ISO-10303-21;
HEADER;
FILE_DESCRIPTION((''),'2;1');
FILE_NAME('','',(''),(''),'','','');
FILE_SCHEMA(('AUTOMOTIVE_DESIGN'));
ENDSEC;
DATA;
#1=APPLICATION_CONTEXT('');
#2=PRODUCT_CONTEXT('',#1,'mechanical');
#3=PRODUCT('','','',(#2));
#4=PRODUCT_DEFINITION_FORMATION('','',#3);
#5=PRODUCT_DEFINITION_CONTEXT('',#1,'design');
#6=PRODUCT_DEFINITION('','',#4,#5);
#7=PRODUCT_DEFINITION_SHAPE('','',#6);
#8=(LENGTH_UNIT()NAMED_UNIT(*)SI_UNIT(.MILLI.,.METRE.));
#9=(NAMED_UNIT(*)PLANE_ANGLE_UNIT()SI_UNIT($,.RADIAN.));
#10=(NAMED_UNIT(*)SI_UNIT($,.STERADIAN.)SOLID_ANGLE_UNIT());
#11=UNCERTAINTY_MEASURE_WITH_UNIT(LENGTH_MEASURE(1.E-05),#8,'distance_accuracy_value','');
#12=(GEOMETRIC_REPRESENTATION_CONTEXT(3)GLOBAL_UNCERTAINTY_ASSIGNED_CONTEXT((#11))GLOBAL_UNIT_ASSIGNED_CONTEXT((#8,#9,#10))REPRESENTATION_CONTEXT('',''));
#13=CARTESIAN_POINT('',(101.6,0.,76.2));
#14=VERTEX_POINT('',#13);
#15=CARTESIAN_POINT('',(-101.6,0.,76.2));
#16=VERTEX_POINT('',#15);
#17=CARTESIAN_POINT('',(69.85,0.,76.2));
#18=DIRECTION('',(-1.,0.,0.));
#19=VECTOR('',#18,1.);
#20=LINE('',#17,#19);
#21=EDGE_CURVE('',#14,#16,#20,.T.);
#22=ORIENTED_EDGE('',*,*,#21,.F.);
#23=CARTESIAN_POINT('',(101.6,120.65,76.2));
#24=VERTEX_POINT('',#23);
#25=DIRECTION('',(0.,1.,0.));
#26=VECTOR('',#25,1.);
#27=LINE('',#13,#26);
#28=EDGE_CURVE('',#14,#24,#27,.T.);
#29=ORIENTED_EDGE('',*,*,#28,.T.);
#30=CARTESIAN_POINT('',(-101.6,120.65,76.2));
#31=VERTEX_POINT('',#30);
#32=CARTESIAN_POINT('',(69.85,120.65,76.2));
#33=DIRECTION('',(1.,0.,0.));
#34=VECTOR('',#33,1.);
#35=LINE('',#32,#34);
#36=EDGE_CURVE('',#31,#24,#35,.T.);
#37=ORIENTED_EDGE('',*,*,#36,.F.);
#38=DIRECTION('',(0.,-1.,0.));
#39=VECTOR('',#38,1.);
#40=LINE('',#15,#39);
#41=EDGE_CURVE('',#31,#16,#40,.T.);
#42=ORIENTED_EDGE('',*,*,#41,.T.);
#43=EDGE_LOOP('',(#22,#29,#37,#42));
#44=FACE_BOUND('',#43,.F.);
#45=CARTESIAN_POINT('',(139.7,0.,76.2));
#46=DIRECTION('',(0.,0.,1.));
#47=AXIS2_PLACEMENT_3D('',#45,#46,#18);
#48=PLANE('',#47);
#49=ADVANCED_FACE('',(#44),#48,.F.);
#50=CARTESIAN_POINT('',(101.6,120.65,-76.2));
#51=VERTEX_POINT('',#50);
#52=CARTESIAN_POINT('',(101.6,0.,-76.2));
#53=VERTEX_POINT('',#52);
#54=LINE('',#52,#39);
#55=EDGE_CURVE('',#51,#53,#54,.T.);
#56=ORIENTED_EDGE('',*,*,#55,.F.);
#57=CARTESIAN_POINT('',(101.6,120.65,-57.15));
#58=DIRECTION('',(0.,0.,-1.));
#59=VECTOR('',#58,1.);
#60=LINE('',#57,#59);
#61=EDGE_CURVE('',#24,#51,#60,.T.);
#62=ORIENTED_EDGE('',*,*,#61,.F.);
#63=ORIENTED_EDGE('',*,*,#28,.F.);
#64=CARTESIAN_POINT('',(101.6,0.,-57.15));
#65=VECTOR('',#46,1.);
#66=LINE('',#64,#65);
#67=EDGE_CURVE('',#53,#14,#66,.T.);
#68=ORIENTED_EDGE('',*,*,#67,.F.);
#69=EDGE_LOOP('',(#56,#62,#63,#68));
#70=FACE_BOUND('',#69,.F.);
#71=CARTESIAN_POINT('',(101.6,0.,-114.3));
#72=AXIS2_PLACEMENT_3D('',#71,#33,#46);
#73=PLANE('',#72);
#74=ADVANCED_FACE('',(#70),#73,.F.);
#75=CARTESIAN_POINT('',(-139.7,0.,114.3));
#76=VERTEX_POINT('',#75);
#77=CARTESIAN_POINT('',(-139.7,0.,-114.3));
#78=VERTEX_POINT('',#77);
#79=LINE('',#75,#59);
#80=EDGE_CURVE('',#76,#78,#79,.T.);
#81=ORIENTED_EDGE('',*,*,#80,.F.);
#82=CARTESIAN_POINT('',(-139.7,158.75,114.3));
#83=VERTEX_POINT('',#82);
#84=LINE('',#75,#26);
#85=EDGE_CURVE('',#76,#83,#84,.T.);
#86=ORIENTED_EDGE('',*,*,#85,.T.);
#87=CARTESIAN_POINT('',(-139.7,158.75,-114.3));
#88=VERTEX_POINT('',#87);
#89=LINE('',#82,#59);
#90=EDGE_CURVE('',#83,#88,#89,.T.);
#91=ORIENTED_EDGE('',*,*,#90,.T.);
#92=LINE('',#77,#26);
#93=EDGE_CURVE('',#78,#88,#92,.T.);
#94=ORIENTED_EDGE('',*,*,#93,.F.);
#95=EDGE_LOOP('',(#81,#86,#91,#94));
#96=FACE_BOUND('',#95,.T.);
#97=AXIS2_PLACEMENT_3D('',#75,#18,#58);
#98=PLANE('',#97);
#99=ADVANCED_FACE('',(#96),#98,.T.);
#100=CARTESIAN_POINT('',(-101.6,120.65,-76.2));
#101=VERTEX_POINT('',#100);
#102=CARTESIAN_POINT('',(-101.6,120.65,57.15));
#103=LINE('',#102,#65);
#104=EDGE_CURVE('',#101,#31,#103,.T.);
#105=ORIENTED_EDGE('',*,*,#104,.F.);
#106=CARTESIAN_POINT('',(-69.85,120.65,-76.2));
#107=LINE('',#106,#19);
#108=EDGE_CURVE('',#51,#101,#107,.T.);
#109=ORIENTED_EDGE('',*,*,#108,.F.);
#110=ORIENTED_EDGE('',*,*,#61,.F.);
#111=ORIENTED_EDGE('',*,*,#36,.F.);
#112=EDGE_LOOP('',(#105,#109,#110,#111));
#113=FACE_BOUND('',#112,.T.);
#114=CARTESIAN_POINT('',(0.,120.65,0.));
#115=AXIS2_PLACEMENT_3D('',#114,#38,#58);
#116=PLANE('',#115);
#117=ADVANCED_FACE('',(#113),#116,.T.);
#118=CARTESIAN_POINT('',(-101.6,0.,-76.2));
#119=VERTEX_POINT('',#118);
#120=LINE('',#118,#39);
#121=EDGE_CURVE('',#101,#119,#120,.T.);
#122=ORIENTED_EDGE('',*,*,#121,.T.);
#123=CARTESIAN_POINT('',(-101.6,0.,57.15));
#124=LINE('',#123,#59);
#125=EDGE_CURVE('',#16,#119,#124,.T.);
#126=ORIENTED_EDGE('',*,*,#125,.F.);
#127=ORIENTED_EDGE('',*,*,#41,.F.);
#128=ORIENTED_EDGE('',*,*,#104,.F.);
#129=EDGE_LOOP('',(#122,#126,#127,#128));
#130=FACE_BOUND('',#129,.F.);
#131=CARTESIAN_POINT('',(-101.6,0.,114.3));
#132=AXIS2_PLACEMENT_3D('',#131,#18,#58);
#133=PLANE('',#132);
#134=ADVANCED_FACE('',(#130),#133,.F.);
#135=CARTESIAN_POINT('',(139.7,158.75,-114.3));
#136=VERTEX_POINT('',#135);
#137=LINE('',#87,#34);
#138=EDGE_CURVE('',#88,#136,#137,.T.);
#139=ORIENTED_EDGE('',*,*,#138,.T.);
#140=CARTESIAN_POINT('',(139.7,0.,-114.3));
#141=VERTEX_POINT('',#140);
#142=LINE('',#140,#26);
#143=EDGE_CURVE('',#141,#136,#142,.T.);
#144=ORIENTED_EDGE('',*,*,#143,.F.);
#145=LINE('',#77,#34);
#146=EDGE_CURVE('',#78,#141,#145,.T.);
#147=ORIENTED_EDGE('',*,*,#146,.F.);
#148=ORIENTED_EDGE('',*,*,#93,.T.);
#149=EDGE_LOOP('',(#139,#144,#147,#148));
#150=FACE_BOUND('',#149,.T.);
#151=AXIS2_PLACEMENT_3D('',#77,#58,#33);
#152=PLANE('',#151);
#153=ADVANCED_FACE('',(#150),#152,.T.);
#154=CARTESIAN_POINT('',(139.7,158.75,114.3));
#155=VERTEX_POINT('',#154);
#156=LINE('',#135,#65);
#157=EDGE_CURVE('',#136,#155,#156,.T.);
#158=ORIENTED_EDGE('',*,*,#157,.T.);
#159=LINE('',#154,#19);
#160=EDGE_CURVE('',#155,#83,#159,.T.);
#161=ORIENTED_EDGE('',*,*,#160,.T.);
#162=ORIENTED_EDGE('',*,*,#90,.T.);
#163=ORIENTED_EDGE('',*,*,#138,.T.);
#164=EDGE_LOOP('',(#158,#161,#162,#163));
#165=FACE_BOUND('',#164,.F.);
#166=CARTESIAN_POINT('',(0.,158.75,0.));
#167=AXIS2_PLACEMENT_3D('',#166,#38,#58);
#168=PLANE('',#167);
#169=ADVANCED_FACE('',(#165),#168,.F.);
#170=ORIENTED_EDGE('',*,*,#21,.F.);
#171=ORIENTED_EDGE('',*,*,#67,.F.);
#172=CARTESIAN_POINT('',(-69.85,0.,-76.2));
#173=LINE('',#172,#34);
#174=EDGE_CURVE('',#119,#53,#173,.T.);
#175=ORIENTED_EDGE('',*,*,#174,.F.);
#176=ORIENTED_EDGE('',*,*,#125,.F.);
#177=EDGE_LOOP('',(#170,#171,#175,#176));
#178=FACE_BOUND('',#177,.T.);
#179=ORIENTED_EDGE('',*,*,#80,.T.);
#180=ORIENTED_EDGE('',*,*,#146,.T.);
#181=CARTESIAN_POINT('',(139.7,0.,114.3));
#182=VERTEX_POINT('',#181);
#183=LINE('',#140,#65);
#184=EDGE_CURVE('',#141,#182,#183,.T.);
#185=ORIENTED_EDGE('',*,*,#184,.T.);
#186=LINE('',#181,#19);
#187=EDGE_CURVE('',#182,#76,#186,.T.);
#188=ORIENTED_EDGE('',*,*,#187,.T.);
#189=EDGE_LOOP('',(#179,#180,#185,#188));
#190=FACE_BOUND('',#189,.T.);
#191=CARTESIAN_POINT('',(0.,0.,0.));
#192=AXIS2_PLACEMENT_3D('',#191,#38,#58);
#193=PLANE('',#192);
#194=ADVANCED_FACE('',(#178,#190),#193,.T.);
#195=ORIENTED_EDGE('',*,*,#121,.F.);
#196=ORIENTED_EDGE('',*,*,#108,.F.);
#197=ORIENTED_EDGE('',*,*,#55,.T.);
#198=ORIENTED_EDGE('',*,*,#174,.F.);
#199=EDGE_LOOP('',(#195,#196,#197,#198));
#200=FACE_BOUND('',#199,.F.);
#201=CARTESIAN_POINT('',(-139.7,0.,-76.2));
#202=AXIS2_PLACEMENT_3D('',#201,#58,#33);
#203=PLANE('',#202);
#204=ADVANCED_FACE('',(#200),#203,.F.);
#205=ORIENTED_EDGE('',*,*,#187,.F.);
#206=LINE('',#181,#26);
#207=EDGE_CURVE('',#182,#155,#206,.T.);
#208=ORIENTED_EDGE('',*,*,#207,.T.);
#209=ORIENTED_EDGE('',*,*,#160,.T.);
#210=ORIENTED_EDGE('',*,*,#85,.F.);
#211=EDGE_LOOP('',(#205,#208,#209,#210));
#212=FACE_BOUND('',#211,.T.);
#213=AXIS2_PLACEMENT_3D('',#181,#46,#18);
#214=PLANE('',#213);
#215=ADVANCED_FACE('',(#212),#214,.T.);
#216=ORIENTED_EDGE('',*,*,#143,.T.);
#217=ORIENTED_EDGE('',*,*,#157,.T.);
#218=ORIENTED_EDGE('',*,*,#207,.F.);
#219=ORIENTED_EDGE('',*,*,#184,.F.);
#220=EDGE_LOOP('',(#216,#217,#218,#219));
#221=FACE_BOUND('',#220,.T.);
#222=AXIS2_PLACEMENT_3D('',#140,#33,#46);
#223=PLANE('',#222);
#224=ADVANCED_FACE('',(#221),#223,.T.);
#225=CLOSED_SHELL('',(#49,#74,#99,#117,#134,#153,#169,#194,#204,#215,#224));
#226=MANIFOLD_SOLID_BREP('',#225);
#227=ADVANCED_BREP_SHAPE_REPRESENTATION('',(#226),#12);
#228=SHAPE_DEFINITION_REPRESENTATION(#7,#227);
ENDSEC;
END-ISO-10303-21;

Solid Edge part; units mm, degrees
sketch "Sketch1" plane through (0, 0, 0) normal (0, -1, 0) x (1, 0, 0)
  line L0 (139.7, 114.3) -> (-139.7, 114.3)
  line L1 (-139.7, 114.3) -> (-139.7, -114.3)
  line L2 (-139.7, -114.3) -> (139.7, -114.3)
  line L3 (139.7, -114.3) -> (139.7, 114.3)
extrude "Protrusion1" add sketch "Sketch1" against normal blind 158.75
shell "Thinwall_1" thickness 38.1 removed faces 1 at (-90.3393, 0, 78.486)
